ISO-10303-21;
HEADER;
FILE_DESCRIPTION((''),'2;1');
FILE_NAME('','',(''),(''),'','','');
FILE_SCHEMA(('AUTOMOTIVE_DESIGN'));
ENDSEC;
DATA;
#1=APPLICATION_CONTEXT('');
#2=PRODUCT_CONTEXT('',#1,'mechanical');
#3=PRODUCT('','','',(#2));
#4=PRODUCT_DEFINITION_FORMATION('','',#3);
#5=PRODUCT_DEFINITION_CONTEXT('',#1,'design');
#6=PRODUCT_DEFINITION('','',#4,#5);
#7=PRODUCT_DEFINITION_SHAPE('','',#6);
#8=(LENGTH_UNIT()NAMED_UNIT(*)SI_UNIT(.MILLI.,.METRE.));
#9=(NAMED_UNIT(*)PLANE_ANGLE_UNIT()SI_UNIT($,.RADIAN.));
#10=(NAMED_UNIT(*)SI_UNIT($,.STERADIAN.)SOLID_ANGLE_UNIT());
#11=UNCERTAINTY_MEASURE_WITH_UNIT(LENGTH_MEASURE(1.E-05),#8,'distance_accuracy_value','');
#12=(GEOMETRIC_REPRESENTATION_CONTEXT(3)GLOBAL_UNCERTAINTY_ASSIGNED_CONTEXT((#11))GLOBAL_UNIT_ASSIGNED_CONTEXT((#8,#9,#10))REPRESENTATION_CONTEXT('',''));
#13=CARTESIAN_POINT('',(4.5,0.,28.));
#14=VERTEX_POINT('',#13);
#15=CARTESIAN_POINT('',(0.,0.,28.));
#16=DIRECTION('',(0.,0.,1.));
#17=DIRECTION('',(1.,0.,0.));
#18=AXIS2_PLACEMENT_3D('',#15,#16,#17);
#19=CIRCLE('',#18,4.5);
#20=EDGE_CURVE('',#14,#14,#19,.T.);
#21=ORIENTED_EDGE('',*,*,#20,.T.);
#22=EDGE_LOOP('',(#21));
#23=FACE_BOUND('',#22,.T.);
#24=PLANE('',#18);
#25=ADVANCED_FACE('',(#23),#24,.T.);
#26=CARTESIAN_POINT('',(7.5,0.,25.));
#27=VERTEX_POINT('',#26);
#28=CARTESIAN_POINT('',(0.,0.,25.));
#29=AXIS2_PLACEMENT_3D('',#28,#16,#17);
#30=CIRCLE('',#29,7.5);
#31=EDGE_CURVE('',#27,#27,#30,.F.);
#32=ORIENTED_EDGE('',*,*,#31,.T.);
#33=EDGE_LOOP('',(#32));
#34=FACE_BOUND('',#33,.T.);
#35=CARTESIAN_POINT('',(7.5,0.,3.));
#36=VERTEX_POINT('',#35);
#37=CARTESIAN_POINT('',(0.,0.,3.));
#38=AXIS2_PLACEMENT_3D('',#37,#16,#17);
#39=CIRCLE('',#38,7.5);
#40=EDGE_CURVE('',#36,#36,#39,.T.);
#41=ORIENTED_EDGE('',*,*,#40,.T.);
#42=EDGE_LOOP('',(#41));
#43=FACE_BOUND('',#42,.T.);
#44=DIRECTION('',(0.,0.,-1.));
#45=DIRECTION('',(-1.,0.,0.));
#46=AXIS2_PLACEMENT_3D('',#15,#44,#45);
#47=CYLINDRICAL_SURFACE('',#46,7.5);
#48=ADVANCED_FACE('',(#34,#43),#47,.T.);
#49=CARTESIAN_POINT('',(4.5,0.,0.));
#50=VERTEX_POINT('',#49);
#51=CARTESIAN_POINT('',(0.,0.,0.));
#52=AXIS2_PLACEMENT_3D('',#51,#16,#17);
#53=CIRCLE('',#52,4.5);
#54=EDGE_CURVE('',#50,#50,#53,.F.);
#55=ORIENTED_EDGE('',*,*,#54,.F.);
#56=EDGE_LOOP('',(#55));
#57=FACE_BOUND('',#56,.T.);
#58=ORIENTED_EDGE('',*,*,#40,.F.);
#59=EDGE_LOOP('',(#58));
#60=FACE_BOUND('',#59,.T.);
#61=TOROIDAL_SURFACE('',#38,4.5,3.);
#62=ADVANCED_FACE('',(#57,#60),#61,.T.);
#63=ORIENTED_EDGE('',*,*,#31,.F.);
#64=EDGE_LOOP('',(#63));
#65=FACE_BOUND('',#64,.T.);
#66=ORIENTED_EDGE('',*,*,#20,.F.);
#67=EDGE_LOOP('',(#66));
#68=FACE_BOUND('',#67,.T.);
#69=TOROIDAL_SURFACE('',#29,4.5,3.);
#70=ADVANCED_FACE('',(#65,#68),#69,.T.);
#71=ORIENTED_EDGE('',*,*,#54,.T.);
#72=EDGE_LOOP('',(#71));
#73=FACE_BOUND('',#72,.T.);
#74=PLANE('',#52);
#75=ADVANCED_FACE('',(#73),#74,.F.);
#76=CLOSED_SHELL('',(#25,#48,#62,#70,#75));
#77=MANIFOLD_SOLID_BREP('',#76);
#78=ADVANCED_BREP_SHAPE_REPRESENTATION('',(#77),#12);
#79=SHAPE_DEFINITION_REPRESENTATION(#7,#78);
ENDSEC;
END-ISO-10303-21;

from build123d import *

# Parameters (mm, degrees)
SKETCH2_R           = 7.5
BOSS_EXTRUDE1_DEPTH = 28
FILLET1_R           = 3


with BuildPart() as part:
    # Sketch2 → Boss-Extrude1 (new body)
    with BuildSketch(Plane.XY):
        Circle(SKETCH2_R)
    extrude(amount=BOSS_EXTRUDE1_DEPTH)

    # Fillet1
    fillet1_edges = [part.edges().sort_by_distance(p)[0] for p in [
        (-7.5, 0, 0),
        (-7.5, 0, 28),
    ]]
    fillet(fillet1_edges, radius=FILLET1_R)


solid = part.part
